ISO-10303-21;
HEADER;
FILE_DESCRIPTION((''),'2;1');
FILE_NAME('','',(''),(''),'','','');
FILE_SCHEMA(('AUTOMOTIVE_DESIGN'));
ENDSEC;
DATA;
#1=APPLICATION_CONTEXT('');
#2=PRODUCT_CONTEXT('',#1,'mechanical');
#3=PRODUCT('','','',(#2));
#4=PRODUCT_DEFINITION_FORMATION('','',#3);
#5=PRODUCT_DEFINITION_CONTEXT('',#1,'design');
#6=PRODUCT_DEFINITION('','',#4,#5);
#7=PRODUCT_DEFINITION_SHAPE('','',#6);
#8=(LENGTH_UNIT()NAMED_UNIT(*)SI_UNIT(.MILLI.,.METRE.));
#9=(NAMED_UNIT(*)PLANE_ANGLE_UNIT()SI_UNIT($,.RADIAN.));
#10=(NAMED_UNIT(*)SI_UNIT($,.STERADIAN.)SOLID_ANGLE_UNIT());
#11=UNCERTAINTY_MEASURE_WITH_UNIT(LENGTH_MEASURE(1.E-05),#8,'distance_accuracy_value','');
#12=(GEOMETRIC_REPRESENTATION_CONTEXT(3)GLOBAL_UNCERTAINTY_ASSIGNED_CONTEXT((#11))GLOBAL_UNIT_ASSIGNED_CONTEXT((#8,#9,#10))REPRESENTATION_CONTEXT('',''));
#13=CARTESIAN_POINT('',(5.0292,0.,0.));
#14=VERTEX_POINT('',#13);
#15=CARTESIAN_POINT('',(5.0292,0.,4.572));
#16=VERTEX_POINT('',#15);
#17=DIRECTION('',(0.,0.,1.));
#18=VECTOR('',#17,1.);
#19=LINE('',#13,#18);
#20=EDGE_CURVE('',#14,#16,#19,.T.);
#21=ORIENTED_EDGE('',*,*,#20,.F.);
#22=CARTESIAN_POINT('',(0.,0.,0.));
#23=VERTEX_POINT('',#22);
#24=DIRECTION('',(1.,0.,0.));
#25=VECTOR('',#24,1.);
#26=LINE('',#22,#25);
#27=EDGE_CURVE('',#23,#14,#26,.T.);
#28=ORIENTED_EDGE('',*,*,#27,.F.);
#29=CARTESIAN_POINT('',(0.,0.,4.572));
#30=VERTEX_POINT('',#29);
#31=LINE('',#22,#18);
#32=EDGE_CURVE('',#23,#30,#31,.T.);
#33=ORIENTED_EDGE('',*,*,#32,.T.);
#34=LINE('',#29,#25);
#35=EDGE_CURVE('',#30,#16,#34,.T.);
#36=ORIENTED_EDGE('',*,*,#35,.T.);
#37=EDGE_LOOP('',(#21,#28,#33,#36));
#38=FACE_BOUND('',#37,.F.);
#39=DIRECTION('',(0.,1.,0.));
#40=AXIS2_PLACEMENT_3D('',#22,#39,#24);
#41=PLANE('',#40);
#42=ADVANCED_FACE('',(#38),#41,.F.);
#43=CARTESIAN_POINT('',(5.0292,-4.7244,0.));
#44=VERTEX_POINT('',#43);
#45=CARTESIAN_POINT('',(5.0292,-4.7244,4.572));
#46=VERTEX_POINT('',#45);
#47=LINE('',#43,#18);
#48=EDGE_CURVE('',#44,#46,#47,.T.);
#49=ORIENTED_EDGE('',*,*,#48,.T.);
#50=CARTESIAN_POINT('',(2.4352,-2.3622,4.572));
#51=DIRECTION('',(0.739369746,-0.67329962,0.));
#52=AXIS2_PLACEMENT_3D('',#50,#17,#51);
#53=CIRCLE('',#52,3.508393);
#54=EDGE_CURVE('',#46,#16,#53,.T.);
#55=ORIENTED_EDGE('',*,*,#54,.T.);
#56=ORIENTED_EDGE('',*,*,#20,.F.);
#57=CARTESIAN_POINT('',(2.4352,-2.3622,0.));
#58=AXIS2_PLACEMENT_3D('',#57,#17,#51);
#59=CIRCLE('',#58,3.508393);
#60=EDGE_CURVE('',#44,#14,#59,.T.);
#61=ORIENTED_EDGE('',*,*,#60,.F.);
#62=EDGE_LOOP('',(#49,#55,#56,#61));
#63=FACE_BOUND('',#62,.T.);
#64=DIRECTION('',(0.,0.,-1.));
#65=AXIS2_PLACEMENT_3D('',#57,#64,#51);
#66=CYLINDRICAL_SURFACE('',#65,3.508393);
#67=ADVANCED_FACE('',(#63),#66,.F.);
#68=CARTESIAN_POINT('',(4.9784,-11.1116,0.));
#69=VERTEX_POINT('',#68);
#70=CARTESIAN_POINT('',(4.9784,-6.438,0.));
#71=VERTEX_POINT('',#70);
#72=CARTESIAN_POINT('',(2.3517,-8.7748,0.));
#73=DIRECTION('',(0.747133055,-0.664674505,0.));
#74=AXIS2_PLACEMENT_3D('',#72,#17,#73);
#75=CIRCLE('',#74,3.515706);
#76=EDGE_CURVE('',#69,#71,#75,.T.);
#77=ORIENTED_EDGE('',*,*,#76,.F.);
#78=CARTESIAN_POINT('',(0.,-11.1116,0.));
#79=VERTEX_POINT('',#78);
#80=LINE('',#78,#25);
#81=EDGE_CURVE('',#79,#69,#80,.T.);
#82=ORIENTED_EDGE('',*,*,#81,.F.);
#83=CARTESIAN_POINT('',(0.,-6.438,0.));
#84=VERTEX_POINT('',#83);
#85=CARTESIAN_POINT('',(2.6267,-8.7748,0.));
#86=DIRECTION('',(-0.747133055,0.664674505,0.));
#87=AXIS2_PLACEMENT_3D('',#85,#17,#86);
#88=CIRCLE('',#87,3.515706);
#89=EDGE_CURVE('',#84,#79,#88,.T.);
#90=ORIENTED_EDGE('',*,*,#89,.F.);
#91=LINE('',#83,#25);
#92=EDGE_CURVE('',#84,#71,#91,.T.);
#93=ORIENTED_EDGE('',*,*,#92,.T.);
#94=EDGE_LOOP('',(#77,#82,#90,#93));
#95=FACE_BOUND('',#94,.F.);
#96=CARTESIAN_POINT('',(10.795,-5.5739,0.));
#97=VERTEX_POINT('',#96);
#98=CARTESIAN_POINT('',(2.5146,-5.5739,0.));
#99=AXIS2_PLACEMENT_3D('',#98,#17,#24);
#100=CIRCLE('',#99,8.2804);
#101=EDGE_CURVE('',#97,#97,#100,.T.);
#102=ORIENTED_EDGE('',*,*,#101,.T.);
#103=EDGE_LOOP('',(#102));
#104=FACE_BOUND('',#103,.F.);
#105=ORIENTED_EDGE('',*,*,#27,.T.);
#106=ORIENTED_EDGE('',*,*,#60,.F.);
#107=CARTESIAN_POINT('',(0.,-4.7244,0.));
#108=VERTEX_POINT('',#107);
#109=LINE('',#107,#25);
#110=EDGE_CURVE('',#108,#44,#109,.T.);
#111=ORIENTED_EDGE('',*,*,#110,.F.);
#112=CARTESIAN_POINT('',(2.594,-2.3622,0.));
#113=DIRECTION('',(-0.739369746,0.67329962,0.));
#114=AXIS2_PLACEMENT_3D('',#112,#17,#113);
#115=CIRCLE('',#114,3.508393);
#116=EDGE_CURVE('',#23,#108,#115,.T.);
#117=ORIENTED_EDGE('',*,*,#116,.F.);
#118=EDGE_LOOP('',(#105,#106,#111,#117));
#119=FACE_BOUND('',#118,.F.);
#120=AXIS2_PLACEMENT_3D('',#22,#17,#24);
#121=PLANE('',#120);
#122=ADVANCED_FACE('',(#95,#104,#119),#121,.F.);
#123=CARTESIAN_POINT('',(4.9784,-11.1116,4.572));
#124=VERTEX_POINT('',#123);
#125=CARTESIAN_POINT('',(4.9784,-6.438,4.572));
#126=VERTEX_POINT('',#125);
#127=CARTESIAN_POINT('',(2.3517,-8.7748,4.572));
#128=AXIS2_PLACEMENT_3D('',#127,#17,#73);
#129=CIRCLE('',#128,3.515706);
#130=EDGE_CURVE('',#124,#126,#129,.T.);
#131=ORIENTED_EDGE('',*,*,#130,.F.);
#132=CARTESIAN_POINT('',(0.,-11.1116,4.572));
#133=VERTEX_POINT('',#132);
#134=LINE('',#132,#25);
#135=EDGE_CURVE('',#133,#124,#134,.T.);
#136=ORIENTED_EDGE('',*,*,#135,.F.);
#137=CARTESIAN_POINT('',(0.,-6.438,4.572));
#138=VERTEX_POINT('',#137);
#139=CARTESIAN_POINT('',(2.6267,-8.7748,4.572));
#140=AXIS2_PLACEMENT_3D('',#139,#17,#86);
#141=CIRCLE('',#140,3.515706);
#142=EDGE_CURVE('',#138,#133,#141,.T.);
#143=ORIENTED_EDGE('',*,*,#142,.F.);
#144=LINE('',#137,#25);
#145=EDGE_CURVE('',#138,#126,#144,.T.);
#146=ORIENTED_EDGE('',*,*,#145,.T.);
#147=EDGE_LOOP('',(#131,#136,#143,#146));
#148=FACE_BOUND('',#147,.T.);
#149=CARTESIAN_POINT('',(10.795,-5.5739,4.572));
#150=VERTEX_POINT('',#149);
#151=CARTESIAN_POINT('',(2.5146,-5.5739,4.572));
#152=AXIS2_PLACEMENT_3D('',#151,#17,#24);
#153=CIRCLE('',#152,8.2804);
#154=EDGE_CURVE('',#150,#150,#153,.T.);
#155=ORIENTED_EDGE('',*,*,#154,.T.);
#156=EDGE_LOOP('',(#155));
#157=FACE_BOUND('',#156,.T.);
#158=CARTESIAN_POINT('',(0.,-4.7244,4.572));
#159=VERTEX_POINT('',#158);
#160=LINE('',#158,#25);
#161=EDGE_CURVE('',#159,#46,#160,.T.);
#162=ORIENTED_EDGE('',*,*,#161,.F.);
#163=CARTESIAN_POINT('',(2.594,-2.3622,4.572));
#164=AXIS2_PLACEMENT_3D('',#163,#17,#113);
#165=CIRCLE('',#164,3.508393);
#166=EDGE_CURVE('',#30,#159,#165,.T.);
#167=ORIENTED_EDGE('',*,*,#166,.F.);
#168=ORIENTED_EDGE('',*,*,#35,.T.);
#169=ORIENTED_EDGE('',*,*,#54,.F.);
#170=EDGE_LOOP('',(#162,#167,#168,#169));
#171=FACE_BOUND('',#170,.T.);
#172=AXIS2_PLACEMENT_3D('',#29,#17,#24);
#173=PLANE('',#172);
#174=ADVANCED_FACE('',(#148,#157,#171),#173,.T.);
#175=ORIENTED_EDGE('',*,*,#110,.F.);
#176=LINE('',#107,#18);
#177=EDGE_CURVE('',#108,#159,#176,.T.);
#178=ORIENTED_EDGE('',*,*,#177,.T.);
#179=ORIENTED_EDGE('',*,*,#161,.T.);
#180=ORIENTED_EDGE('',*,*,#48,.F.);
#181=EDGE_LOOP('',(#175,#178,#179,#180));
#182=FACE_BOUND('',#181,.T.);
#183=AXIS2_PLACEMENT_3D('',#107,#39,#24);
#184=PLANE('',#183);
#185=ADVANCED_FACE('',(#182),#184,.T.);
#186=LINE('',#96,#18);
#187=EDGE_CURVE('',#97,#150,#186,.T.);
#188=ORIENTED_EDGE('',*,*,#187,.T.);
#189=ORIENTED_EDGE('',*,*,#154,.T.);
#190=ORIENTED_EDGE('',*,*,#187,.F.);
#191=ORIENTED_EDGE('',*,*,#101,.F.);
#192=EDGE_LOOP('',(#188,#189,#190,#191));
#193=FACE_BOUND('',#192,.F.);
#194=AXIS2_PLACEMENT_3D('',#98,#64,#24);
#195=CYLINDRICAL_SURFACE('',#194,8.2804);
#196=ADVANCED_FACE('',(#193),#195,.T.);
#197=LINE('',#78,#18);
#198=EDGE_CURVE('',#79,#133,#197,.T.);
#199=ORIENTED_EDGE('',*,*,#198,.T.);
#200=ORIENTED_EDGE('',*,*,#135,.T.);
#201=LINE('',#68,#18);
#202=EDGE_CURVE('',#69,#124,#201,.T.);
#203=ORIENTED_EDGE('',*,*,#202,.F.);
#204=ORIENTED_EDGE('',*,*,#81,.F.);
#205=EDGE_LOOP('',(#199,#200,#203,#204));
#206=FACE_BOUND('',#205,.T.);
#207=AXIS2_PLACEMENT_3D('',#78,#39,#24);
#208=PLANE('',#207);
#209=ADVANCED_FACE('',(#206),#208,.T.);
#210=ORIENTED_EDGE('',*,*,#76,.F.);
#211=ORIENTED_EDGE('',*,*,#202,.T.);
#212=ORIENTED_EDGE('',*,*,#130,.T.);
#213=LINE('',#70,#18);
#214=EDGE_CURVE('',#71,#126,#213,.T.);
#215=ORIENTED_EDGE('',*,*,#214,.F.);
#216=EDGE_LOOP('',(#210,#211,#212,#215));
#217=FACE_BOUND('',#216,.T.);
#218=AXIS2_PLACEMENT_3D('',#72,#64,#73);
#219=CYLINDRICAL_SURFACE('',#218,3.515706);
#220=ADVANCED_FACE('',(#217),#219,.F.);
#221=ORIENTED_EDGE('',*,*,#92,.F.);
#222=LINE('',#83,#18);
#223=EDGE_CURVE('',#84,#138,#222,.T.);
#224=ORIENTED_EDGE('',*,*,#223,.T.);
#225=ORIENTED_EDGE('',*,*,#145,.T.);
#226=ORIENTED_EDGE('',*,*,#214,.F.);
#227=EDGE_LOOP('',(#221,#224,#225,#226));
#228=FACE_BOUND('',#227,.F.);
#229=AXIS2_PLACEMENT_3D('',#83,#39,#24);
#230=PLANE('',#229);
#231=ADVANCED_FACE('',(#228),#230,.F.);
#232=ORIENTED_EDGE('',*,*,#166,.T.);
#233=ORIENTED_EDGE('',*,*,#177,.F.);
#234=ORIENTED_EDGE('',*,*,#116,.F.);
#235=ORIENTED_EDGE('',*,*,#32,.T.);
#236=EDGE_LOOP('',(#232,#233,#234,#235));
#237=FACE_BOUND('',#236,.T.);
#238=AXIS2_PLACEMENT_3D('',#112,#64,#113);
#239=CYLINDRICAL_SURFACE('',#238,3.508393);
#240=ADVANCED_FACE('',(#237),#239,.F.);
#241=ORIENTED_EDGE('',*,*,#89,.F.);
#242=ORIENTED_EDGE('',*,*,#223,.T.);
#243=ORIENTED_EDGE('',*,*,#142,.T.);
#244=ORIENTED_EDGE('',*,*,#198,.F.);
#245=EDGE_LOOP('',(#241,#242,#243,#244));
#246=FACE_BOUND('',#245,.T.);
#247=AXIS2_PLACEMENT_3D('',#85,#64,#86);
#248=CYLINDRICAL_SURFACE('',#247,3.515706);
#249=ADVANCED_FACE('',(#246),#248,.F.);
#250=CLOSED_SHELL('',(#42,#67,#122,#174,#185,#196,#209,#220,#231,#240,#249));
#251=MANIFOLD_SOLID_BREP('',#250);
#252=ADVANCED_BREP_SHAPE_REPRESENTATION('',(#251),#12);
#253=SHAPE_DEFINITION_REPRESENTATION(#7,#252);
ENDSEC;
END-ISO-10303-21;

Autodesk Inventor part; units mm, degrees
ref_plane "YZ Plane" through (0, 0, 0) normal (1, 0, 0) x (0, 1, 0)
ref_plane "XZ Plane" through (0, 0, 0) normal (0, 1, 0) x (-1, 0, 0)
ref_plane "XY Plane" through (0, 0, 0) normal (0, 0, 1) x (1, 0, 0)
sketch "Sketch1" plane through (0, 0, 0) normal (0, 0, 1) x (1, 0, 0)
  line L0 (0, 0) -> (5.0292, 0)
  line L1 (0, -4.7244) -> (5.0292, -4.7244)
  arc A0 (0, 0) -> (0, -4.7244) centre (2.594, -2.3622) ccw
  arc A1 (5.0292, -4.7244) -> (5.0292, 0) centre (2.4352, -2.3622) ccw
  line L2 (0, -6.438) -> (4.9784, -6.438)
  line L3 (0, -11.1116) -> (4.9784, -11.1116)
  arc A2 (0, -6.438) -> (0, -11.1116) centre (2.6267, -8.7748) ccw
  arc A3 (4.9784, -11.1116) -> (4.9784, -6.438) centre (2.3517, -8.7748) ccw
  circle A4 centre (2.5146, -5.5739) radius 8.2804
  dimension "d0" = 5.0292
  dimension "d2" = 5.0292
  dimension "d3" = 4.7244
  dimension "d8" = 3.5084
  dimension "d9" = 3.5084
  dimension "d10" = 0.1588
  dimension "d11" = 4.9784
  dimension "d12" = 4.6736
  dimension "d15" = 4.9784
  dimension "d16" = 3.5157
  dimension "d17" = 3.5157
  dimension "d18" = 6.7564
extrude "Extrusion1" add sketch "Sketch1" along normal blind 4.572
properties part number "Zoetrope_Motor_Connector v2"
